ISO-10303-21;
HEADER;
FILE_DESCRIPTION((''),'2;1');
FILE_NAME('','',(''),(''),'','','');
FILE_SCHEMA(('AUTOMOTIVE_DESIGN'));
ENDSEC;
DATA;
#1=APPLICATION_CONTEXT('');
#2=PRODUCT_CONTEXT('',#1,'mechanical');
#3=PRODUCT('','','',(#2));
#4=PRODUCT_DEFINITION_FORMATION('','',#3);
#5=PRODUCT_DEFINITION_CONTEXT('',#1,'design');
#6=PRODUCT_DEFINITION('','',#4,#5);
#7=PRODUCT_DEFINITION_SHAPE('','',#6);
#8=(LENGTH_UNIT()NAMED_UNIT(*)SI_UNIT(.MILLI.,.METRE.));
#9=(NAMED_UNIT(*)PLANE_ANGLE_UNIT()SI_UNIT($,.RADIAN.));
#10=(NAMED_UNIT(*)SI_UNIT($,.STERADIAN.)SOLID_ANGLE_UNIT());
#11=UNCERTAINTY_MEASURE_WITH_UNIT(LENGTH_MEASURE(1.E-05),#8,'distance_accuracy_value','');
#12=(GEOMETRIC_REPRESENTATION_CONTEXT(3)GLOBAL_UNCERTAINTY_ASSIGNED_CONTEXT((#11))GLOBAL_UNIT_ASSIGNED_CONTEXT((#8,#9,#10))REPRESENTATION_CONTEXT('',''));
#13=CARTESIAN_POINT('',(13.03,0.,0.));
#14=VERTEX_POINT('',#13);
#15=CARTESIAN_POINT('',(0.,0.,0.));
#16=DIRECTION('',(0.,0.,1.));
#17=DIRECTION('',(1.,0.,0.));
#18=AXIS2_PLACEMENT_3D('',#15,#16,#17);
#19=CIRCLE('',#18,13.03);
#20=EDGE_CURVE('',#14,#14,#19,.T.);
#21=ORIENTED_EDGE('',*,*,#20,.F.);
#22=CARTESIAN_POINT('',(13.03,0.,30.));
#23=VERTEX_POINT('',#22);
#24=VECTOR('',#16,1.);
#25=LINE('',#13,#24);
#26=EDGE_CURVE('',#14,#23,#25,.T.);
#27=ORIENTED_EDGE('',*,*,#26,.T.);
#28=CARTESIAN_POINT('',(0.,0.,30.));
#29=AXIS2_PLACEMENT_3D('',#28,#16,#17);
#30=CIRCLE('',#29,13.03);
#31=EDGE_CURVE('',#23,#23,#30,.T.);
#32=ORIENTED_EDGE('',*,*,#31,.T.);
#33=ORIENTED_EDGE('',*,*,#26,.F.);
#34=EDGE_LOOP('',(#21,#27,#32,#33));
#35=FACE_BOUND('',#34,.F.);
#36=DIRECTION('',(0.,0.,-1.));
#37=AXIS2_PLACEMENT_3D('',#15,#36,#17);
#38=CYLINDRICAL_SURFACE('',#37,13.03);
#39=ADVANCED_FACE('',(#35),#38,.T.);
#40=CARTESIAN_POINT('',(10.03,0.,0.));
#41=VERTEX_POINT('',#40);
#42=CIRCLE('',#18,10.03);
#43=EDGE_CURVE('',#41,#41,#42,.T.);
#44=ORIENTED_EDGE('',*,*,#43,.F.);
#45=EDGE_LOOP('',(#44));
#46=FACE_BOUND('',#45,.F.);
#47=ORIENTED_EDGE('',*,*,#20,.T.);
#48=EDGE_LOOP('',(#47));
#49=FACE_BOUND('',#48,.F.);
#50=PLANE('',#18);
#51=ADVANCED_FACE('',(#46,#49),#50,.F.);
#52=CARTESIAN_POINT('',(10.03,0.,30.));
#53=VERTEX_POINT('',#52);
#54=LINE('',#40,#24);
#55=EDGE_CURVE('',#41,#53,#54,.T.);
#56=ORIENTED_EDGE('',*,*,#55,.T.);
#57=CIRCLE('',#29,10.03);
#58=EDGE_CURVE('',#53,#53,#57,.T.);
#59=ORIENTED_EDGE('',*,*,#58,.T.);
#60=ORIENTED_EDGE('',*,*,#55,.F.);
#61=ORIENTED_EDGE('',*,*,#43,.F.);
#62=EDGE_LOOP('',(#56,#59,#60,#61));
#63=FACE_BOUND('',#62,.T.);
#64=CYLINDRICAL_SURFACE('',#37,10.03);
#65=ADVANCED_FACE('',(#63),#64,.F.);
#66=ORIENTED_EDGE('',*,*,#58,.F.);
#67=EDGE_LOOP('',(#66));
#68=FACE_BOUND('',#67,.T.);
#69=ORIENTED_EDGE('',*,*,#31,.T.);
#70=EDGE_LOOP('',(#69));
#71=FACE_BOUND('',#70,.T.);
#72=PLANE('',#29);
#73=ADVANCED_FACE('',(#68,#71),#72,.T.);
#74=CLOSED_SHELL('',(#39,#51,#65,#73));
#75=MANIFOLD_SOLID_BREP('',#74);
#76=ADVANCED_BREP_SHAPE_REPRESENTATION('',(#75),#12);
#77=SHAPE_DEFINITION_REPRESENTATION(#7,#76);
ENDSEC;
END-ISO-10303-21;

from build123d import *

# Parameters (mm, degrees)
SKETCH_R   = 13.03
SKETCH_R_2 = 10.03
PAD_DEPTH  = 30


with BuildPart() as part:
    # Sketch → Pad (new body)
    with BuildSketch(Plane.XY):
        Circle(SKETCH_R)
        Circle(SKETCH_R_2, mode=Mode.SUBTRACT)
    extrude(amount=PAD_DEPTH)


solid = part.part
